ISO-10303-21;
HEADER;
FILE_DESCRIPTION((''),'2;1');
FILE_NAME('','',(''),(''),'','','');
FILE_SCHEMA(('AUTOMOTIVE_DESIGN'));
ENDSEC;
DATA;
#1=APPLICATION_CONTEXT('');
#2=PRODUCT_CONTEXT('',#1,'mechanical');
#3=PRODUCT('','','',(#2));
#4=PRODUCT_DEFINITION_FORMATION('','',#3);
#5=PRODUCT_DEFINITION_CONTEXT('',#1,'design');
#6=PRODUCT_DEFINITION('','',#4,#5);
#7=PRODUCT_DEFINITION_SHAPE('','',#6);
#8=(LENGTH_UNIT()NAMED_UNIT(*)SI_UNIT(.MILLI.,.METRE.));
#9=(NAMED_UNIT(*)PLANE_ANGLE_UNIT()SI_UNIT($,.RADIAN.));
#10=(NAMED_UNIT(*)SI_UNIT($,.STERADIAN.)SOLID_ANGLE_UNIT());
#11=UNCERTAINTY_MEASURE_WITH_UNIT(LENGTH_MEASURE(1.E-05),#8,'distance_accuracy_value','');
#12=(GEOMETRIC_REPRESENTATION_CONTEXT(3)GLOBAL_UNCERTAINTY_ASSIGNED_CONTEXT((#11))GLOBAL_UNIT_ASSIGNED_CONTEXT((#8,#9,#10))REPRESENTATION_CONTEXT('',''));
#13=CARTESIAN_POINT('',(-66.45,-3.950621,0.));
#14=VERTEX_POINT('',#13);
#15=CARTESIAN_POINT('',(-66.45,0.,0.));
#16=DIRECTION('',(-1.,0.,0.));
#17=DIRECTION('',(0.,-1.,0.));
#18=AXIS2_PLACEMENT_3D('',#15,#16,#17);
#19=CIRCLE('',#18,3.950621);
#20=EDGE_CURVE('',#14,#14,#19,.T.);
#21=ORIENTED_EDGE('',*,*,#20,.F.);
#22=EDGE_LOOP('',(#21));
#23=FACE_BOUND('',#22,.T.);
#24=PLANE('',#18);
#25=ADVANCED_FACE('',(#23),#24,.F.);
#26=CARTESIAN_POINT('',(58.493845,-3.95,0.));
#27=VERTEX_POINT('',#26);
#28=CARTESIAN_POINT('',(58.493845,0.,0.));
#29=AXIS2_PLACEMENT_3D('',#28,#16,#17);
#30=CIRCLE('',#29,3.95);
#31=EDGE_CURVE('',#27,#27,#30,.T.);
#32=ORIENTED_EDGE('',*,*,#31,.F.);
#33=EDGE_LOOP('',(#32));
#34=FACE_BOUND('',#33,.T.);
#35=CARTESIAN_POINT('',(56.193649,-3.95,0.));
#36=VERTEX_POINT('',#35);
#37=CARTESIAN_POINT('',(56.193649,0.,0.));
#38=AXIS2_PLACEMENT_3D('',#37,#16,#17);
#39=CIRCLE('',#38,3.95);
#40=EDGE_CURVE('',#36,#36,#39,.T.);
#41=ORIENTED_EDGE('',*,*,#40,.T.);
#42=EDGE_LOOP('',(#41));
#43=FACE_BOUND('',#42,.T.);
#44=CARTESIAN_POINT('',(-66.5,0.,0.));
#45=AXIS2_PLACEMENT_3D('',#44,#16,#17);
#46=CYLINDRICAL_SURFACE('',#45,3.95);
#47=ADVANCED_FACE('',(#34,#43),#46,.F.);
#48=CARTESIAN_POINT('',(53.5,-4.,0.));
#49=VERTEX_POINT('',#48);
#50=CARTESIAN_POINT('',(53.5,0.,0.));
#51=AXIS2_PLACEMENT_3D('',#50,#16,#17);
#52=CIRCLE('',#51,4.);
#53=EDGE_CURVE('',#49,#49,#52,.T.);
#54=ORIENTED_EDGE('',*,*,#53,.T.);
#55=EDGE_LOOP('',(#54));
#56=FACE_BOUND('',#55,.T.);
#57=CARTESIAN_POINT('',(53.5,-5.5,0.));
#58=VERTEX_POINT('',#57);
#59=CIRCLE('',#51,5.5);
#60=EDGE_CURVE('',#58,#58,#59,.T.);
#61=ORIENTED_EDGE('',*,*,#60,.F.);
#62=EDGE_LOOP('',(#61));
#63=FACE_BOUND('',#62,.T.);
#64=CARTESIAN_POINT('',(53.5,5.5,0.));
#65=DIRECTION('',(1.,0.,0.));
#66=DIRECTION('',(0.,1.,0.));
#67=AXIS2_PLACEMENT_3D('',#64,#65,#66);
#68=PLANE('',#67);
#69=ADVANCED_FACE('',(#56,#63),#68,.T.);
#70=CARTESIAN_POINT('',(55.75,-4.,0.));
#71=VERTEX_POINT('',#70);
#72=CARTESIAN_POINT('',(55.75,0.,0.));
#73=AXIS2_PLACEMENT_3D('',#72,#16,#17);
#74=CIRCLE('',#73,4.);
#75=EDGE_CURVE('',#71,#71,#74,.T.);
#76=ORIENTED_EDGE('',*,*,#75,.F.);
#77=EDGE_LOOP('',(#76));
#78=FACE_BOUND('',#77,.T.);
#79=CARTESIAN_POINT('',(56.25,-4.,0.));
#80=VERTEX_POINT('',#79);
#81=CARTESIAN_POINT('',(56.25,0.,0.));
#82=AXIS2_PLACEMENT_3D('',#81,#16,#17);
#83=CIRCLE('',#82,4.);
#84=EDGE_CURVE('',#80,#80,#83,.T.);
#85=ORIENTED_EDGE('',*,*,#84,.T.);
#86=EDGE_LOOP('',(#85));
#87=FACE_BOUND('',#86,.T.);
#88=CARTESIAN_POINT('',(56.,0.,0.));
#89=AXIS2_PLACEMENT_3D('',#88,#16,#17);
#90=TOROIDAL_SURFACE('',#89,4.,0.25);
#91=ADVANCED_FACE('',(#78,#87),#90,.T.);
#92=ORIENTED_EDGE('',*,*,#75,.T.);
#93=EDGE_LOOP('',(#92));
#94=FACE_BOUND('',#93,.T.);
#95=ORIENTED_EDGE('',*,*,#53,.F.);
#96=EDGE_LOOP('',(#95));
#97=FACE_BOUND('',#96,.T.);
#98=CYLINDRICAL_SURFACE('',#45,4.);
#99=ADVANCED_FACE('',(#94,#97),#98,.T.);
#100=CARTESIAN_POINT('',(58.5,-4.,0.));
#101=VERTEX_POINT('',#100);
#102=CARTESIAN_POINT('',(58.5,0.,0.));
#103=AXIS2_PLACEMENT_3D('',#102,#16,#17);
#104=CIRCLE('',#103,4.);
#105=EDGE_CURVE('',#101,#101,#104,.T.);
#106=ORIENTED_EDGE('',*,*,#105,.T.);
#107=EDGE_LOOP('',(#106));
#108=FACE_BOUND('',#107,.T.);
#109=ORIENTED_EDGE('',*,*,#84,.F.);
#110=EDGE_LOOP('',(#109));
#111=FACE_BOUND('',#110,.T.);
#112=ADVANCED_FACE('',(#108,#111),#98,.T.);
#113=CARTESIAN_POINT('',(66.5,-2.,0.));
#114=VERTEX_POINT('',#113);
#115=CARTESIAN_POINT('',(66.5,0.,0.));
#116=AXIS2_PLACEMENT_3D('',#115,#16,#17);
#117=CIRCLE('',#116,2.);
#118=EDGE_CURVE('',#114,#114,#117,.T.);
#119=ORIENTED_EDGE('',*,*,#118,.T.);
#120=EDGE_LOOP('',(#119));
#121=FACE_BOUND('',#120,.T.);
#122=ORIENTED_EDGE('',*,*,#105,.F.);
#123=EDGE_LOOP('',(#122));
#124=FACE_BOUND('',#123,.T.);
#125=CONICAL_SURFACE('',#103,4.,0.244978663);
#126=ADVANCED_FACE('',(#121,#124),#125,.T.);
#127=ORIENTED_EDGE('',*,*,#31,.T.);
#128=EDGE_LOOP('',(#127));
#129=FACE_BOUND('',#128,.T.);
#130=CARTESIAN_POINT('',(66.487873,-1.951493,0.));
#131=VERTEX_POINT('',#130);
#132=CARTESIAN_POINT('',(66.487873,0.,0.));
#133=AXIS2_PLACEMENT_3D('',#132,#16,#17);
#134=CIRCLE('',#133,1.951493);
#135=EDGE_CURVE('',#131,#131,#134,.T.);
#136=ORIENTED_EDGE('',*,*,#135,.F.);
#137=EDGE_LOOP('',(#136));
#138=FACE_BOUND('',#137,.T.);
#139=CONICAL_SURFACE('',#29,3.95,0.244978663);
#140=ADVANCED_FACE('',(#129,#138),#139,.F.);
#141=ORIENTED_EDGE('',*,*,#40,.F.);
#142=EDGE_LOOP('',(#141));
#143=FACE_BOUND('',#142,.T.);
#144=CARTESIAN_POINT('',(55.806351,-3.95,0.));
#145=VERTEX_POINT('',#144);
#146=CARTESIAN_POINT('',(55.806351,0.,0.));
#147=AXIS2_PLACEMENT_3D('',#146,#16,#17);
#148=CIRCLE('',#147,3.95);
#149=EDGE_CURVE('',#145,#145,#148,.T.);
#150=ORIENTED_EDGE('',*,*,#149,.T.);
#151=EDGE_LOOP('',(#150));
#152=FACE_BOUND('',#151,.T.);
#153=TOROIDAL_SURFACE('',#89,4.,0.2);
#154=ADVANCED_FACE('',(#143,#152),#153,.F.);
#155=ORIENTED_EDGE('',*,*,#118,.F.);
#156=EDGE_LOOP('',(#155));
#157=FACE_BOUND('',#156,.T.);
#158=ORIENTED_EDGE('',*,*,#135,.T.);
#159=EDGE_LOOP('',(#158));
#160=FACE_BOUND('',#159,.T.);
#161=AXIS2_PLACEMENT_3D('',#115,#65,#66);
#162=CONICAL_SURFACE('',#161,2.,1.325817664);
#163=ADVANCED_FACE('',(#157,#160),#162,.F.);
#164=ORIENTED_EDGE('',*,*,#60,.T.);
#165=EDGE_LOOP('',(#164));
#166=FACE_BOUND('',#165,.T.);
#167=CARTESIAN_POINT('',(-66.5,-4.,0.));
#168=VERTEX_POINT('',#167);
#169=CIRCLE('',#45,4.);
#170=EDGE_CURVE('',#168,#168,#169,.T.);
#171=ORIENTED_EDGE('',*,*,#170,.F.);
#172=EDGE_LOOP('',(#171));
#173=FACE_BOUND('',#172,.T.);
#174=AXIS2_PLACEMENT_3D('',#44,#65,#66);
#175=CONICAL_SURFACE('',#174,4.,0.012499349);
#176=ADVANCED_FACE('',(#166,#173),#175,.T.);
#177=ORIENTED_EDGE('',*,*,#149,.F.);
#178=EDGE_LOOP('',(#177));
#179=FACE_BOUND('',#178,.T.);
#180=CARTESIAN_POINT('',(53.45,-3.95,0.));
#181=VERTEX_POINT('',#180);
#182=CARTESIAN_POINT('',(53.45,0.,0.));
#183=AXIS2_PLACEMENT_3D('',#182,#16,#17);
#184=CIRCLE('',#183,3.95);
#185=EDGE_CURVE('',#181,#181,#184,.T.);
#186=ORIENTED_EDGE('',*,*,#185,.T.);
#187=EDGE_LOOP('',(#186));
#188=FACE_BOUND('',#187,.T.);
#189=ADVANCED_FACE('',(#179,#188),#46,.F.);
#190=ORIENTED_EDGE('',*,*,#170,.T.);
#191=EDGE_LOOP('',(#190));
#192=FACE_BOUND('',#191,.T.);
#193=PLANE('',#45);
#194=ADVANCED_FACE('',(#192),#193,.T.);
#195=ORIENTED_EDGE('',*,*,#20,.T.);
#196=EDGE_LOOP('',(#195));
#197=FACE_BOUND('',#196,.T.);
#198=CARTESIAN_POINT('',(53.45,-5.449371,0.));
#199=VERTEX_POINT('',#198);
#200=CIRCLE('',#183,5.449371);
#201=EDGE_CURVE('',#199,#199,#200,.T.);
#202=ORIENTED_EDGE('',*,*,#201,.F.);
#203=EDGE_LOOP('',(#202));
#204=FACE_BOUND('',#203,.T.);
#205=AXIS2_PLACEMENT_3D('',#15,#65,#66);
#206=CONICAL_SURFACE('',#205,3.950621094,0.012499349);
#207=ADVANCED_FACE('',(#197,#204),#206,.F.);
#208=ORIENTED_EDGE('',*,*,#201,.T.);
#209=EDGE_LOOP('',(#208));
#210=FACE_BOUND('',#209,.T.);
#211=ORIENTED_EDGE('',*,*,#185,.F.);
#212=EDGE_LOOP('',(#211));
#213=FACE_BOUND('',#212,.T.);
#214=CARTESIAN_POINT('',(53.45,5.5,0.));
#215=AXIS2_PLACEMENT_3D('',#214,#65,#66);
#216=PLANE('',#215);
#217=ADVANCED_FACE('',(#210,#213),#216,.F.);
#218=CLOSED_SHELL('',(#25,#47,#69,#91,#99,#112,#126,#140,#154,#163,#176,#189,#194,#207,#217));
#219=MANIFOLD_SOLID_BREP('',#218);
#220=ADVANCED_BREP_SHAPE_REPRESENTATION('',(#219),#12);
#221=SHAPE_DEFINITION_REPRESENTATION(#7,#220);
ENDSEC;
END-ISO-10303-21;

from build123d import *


with BuildPart() as part:
    # 草图1 → 旋转-薄壁4 (revolve)
    with BuildSketch(Plane.XY, mode=Mode.PRIVATE) as revolve_4_sk:
        with BuildLine():
            Line((-66.5, 0), (-66.5, 4))
            Line((-66.5, 4), (53.5, 5.5))
            Line((53.5, 5.5), (53.5, 4))
            Line((53.5, 4), (55.75, 4))
            ThreePointArc((55.75, 4), (56, 4.25), (56.25, 4))
            Line((56.25, 4), (58.5, 4))
            Line((58.5, 4), (66.5, 2))
            Line((66.5, 2), (66.487873219, 1.951492875))
            Line((66.487873219, 1.951492875), (58.493844719, 3.95))
            Line((58.493844719, 3.95), (56.193649167, 3.95))
            ThreePointArc((56.193649167, 3.95), (56, 4.2), (55.806350833, 3.95))
            Line((55.806350833, 3.95), (53.45, 3.95))
            Line((53.45, 3.95), (53.45, 5.449371094))
            Line((53.45, 5.449371094), (-66.45, 3.950621094))
            Line((-66.45, 3.950621094), (-66.45, 0))
            Line((-66.45, 0), (-66.5, 0))
        make_face()
    revolve(revolve_4_sk.sketch.rotate(Axis((-66.5, 0, 0), (1, 0, 0)), 180), axis=Axis((-66.5, 0, 0), (1, 0, 0)))


solid = part.part
